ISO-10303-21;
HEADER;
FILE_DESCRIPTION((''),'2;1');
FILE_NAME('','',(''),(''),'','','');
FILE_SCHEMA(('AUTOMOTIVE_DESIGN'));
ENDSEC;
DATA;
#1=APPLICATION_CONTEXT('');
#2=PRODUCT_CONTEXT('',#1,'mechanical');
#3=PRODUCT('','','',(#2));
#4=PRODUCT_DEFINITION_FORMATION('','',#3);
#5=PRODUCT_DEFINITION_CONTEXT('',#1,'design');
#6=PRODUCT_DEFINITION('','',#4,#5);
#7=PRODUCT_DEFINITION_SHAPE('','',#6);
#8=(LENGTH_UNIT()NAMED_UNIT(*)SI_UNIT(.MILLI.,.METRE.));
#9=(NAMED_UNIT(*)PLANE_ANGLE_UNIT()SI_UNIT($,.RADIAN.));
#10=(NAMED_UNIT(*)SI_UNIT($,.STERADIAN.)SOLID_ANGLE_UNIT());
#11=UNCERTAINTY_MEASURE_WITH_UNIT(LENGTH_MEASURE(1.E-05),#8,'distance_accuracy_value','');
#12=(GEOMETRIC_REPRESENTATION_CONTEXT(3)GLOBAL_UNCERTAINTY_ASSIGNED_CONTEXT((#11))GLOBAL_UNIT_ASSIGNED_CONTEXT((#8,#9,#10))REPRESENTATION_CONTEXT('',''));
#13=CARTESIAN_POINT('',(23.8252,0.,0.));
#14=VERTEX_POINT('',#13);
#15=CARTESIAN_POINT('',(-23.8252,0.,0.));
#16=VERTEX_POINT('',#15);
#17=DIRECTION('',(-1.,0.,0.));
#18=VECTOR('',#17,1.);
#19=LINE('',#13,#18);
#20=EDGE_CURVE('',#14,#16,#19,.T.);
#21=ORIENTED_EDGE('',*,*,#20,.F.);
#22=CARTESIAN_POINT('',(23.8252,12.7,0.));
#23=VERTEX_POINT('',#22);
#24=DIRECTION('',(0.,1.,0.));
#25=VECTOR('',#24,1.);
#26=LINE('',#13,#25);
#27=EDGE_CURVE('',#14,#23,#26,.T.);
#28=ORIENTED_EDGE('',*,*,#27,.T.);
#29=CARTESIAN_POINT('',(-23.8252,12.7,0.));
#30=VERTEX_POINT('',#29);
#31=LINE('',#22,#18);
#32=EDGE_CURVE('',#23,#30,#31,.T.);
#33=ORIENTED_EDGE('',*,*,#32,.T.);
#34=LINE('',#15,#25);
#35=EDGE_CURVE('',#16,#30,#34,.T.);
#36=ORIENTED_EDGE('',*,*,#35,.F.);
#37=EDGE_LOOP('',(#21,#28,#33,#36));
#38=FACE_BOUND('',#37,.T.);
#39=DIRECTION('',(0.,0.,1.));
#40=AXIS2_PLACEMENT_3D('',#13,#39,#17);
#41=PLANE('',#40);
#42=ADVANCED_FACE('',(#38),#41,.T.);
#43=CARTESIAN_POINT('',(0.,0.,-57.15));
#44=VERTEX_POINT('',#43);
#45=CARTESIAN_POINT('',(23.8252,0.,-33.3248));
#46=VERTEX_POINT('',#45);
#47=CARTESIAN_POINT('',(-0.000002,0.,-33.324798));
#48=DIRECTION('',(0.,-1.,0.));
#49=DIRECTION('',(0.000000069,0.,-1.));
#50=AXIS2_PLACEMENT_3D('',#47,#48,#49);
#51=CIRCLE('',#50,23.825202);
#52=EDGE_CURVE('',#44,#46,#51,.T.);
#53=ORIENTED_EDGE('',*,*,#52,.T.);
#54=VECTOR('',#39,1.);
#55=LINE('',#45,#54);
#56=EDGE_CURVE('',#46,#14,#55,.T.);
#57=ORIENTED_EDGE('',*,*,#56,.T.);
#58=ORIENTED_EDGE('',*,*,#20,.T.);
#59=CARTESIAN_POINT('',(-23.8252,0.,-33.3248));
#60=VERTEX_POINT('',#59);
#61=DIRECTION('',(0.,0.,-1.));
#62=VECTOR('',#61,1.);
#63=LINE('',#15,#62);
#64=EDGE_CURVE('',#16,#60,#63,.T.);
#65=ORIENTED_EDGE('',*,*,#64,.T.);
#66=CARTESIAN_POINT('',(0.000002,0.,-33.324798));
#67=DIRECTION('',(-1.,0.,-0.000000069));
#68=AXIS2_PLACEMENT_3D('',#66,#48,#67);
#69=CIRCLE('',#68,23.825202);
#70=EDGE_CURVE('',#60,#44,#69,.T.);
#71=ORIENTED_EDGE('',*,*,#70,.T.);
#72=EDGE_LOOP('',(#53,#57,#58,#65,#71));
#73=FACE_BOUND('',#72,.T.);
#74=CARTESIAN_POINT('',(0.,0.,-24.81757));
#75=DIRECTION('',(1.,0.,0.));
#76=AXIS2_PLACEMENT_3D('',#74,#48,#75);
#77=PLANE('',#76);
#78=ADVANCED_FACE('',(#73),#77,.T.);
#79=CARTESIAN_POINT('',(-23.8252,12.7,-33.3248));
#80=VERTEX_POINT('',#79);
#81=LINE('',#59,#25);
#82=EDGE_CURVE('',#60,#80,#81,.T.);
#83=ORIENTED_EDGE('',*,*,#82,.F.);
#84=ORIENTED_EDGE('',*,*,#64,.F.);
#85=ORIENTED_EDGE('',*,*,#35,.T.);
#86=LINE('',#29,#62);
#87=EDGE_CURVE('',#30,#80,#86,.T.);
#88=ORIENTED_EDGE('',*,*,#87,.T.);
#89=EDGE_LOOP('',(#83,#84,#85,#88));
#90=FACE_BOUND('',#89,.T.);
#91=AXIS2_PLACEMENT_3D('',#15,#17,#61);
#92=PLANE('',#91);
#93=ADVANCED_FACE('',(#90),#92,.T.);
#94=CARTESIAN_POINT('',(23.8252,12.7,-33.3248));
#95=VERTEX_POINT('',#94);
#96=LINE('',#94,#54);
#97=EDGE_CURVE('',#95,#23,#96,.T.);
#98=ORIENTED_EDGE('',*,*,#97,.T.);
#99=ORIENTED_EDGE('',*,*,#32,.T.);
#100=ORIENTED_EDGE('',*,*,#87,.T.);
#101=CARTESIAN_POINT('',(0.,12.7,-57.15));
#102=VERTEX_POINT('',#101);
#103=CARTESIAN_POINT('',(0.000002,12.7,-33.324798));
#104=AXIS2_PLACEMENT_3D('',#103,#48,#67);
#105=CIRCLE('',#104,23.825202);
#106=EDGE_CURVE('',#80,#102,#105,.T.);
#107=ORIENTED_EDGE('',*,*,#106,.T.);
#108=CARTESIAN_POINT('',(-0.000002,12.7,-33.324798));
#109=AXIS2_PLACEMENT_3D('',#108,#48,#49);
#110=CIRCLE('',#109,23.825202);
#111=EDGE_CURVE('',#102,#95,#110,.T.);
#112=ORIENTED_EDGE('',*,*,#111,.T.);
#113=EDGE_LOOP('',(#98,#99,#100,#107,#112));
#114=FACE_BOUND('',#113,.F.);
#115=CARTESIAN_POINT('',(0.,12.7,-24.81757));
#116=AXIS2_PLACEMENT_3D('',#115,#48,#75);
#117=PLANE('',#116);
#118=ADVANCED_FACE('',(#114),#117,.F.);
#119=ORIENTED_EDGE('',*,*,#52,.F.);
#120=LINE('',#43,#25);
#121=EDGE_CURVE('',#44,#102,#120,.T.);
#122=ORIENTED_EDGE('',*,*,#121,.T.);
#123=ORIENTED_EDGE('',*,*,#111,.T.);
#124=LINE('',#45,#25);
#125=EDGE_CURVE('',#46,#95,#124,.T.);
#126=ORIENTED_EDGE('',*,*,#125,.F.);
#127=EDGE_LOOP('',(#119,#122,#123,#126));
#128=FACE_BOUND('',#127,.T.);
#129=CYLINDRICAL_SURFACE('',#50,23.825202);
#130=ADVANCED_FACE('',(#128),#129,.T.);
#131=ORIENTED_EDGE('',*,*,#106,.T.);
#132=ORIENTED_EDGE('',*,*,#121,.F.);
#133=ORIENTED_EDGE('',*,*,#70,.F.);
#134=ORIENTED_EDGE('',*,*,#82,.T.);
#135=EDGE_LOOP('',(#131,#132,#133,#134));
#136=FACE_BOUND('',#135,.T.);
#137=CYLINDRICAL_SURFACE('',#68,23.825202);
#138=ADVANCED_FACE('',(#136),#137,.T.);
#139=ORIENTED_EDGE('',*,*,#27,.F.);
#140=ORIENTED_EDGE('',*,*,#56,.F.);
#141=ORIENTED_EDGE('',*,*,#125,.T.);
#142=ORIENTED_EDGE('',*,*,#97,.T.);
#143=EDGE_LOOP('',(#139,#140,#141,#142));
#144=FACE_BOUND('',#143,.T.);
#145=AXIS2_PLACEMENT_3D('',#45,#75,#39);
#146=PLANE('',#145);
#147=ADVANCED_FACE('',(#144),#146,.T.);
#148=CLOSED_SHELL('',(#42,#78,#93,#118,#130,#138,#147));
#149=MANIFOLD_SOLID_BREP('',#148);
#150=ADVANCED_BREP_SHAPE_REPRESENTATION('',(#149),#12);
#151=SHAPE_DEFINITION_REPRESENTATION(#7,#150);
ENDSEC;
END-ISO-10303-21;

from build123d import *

# Parameters (mm, degrees)
F1_DEPTH = 12.7


with BuildPart() as f1:
    # F0 (on Front) → F1 (new body)
    with BuildSketch(Plane.XZ):
        with BuildLine():
            Line((0, 0), (-23.8252, 0))
            Line((-23.8252, 0), (-23.8252, -33.3248))
            ThreePointArc((-23.8252, -33.3248), (-16.84696, -50.17176), (0, -57.15))
            ThreePointArc((0, -57.15), (16.84696, -50.17176), (23.8252, -33.3248))
            Line((23.8252, -33.3248), (23.8252, -27.328906))
            Line((23.8252, -27.328906), (23.8252, 0))
            Line((23.8252, 0), (0, 0))
        make_face()
    extrude(amount=-F1_DEPTH)


solid = f1.part
